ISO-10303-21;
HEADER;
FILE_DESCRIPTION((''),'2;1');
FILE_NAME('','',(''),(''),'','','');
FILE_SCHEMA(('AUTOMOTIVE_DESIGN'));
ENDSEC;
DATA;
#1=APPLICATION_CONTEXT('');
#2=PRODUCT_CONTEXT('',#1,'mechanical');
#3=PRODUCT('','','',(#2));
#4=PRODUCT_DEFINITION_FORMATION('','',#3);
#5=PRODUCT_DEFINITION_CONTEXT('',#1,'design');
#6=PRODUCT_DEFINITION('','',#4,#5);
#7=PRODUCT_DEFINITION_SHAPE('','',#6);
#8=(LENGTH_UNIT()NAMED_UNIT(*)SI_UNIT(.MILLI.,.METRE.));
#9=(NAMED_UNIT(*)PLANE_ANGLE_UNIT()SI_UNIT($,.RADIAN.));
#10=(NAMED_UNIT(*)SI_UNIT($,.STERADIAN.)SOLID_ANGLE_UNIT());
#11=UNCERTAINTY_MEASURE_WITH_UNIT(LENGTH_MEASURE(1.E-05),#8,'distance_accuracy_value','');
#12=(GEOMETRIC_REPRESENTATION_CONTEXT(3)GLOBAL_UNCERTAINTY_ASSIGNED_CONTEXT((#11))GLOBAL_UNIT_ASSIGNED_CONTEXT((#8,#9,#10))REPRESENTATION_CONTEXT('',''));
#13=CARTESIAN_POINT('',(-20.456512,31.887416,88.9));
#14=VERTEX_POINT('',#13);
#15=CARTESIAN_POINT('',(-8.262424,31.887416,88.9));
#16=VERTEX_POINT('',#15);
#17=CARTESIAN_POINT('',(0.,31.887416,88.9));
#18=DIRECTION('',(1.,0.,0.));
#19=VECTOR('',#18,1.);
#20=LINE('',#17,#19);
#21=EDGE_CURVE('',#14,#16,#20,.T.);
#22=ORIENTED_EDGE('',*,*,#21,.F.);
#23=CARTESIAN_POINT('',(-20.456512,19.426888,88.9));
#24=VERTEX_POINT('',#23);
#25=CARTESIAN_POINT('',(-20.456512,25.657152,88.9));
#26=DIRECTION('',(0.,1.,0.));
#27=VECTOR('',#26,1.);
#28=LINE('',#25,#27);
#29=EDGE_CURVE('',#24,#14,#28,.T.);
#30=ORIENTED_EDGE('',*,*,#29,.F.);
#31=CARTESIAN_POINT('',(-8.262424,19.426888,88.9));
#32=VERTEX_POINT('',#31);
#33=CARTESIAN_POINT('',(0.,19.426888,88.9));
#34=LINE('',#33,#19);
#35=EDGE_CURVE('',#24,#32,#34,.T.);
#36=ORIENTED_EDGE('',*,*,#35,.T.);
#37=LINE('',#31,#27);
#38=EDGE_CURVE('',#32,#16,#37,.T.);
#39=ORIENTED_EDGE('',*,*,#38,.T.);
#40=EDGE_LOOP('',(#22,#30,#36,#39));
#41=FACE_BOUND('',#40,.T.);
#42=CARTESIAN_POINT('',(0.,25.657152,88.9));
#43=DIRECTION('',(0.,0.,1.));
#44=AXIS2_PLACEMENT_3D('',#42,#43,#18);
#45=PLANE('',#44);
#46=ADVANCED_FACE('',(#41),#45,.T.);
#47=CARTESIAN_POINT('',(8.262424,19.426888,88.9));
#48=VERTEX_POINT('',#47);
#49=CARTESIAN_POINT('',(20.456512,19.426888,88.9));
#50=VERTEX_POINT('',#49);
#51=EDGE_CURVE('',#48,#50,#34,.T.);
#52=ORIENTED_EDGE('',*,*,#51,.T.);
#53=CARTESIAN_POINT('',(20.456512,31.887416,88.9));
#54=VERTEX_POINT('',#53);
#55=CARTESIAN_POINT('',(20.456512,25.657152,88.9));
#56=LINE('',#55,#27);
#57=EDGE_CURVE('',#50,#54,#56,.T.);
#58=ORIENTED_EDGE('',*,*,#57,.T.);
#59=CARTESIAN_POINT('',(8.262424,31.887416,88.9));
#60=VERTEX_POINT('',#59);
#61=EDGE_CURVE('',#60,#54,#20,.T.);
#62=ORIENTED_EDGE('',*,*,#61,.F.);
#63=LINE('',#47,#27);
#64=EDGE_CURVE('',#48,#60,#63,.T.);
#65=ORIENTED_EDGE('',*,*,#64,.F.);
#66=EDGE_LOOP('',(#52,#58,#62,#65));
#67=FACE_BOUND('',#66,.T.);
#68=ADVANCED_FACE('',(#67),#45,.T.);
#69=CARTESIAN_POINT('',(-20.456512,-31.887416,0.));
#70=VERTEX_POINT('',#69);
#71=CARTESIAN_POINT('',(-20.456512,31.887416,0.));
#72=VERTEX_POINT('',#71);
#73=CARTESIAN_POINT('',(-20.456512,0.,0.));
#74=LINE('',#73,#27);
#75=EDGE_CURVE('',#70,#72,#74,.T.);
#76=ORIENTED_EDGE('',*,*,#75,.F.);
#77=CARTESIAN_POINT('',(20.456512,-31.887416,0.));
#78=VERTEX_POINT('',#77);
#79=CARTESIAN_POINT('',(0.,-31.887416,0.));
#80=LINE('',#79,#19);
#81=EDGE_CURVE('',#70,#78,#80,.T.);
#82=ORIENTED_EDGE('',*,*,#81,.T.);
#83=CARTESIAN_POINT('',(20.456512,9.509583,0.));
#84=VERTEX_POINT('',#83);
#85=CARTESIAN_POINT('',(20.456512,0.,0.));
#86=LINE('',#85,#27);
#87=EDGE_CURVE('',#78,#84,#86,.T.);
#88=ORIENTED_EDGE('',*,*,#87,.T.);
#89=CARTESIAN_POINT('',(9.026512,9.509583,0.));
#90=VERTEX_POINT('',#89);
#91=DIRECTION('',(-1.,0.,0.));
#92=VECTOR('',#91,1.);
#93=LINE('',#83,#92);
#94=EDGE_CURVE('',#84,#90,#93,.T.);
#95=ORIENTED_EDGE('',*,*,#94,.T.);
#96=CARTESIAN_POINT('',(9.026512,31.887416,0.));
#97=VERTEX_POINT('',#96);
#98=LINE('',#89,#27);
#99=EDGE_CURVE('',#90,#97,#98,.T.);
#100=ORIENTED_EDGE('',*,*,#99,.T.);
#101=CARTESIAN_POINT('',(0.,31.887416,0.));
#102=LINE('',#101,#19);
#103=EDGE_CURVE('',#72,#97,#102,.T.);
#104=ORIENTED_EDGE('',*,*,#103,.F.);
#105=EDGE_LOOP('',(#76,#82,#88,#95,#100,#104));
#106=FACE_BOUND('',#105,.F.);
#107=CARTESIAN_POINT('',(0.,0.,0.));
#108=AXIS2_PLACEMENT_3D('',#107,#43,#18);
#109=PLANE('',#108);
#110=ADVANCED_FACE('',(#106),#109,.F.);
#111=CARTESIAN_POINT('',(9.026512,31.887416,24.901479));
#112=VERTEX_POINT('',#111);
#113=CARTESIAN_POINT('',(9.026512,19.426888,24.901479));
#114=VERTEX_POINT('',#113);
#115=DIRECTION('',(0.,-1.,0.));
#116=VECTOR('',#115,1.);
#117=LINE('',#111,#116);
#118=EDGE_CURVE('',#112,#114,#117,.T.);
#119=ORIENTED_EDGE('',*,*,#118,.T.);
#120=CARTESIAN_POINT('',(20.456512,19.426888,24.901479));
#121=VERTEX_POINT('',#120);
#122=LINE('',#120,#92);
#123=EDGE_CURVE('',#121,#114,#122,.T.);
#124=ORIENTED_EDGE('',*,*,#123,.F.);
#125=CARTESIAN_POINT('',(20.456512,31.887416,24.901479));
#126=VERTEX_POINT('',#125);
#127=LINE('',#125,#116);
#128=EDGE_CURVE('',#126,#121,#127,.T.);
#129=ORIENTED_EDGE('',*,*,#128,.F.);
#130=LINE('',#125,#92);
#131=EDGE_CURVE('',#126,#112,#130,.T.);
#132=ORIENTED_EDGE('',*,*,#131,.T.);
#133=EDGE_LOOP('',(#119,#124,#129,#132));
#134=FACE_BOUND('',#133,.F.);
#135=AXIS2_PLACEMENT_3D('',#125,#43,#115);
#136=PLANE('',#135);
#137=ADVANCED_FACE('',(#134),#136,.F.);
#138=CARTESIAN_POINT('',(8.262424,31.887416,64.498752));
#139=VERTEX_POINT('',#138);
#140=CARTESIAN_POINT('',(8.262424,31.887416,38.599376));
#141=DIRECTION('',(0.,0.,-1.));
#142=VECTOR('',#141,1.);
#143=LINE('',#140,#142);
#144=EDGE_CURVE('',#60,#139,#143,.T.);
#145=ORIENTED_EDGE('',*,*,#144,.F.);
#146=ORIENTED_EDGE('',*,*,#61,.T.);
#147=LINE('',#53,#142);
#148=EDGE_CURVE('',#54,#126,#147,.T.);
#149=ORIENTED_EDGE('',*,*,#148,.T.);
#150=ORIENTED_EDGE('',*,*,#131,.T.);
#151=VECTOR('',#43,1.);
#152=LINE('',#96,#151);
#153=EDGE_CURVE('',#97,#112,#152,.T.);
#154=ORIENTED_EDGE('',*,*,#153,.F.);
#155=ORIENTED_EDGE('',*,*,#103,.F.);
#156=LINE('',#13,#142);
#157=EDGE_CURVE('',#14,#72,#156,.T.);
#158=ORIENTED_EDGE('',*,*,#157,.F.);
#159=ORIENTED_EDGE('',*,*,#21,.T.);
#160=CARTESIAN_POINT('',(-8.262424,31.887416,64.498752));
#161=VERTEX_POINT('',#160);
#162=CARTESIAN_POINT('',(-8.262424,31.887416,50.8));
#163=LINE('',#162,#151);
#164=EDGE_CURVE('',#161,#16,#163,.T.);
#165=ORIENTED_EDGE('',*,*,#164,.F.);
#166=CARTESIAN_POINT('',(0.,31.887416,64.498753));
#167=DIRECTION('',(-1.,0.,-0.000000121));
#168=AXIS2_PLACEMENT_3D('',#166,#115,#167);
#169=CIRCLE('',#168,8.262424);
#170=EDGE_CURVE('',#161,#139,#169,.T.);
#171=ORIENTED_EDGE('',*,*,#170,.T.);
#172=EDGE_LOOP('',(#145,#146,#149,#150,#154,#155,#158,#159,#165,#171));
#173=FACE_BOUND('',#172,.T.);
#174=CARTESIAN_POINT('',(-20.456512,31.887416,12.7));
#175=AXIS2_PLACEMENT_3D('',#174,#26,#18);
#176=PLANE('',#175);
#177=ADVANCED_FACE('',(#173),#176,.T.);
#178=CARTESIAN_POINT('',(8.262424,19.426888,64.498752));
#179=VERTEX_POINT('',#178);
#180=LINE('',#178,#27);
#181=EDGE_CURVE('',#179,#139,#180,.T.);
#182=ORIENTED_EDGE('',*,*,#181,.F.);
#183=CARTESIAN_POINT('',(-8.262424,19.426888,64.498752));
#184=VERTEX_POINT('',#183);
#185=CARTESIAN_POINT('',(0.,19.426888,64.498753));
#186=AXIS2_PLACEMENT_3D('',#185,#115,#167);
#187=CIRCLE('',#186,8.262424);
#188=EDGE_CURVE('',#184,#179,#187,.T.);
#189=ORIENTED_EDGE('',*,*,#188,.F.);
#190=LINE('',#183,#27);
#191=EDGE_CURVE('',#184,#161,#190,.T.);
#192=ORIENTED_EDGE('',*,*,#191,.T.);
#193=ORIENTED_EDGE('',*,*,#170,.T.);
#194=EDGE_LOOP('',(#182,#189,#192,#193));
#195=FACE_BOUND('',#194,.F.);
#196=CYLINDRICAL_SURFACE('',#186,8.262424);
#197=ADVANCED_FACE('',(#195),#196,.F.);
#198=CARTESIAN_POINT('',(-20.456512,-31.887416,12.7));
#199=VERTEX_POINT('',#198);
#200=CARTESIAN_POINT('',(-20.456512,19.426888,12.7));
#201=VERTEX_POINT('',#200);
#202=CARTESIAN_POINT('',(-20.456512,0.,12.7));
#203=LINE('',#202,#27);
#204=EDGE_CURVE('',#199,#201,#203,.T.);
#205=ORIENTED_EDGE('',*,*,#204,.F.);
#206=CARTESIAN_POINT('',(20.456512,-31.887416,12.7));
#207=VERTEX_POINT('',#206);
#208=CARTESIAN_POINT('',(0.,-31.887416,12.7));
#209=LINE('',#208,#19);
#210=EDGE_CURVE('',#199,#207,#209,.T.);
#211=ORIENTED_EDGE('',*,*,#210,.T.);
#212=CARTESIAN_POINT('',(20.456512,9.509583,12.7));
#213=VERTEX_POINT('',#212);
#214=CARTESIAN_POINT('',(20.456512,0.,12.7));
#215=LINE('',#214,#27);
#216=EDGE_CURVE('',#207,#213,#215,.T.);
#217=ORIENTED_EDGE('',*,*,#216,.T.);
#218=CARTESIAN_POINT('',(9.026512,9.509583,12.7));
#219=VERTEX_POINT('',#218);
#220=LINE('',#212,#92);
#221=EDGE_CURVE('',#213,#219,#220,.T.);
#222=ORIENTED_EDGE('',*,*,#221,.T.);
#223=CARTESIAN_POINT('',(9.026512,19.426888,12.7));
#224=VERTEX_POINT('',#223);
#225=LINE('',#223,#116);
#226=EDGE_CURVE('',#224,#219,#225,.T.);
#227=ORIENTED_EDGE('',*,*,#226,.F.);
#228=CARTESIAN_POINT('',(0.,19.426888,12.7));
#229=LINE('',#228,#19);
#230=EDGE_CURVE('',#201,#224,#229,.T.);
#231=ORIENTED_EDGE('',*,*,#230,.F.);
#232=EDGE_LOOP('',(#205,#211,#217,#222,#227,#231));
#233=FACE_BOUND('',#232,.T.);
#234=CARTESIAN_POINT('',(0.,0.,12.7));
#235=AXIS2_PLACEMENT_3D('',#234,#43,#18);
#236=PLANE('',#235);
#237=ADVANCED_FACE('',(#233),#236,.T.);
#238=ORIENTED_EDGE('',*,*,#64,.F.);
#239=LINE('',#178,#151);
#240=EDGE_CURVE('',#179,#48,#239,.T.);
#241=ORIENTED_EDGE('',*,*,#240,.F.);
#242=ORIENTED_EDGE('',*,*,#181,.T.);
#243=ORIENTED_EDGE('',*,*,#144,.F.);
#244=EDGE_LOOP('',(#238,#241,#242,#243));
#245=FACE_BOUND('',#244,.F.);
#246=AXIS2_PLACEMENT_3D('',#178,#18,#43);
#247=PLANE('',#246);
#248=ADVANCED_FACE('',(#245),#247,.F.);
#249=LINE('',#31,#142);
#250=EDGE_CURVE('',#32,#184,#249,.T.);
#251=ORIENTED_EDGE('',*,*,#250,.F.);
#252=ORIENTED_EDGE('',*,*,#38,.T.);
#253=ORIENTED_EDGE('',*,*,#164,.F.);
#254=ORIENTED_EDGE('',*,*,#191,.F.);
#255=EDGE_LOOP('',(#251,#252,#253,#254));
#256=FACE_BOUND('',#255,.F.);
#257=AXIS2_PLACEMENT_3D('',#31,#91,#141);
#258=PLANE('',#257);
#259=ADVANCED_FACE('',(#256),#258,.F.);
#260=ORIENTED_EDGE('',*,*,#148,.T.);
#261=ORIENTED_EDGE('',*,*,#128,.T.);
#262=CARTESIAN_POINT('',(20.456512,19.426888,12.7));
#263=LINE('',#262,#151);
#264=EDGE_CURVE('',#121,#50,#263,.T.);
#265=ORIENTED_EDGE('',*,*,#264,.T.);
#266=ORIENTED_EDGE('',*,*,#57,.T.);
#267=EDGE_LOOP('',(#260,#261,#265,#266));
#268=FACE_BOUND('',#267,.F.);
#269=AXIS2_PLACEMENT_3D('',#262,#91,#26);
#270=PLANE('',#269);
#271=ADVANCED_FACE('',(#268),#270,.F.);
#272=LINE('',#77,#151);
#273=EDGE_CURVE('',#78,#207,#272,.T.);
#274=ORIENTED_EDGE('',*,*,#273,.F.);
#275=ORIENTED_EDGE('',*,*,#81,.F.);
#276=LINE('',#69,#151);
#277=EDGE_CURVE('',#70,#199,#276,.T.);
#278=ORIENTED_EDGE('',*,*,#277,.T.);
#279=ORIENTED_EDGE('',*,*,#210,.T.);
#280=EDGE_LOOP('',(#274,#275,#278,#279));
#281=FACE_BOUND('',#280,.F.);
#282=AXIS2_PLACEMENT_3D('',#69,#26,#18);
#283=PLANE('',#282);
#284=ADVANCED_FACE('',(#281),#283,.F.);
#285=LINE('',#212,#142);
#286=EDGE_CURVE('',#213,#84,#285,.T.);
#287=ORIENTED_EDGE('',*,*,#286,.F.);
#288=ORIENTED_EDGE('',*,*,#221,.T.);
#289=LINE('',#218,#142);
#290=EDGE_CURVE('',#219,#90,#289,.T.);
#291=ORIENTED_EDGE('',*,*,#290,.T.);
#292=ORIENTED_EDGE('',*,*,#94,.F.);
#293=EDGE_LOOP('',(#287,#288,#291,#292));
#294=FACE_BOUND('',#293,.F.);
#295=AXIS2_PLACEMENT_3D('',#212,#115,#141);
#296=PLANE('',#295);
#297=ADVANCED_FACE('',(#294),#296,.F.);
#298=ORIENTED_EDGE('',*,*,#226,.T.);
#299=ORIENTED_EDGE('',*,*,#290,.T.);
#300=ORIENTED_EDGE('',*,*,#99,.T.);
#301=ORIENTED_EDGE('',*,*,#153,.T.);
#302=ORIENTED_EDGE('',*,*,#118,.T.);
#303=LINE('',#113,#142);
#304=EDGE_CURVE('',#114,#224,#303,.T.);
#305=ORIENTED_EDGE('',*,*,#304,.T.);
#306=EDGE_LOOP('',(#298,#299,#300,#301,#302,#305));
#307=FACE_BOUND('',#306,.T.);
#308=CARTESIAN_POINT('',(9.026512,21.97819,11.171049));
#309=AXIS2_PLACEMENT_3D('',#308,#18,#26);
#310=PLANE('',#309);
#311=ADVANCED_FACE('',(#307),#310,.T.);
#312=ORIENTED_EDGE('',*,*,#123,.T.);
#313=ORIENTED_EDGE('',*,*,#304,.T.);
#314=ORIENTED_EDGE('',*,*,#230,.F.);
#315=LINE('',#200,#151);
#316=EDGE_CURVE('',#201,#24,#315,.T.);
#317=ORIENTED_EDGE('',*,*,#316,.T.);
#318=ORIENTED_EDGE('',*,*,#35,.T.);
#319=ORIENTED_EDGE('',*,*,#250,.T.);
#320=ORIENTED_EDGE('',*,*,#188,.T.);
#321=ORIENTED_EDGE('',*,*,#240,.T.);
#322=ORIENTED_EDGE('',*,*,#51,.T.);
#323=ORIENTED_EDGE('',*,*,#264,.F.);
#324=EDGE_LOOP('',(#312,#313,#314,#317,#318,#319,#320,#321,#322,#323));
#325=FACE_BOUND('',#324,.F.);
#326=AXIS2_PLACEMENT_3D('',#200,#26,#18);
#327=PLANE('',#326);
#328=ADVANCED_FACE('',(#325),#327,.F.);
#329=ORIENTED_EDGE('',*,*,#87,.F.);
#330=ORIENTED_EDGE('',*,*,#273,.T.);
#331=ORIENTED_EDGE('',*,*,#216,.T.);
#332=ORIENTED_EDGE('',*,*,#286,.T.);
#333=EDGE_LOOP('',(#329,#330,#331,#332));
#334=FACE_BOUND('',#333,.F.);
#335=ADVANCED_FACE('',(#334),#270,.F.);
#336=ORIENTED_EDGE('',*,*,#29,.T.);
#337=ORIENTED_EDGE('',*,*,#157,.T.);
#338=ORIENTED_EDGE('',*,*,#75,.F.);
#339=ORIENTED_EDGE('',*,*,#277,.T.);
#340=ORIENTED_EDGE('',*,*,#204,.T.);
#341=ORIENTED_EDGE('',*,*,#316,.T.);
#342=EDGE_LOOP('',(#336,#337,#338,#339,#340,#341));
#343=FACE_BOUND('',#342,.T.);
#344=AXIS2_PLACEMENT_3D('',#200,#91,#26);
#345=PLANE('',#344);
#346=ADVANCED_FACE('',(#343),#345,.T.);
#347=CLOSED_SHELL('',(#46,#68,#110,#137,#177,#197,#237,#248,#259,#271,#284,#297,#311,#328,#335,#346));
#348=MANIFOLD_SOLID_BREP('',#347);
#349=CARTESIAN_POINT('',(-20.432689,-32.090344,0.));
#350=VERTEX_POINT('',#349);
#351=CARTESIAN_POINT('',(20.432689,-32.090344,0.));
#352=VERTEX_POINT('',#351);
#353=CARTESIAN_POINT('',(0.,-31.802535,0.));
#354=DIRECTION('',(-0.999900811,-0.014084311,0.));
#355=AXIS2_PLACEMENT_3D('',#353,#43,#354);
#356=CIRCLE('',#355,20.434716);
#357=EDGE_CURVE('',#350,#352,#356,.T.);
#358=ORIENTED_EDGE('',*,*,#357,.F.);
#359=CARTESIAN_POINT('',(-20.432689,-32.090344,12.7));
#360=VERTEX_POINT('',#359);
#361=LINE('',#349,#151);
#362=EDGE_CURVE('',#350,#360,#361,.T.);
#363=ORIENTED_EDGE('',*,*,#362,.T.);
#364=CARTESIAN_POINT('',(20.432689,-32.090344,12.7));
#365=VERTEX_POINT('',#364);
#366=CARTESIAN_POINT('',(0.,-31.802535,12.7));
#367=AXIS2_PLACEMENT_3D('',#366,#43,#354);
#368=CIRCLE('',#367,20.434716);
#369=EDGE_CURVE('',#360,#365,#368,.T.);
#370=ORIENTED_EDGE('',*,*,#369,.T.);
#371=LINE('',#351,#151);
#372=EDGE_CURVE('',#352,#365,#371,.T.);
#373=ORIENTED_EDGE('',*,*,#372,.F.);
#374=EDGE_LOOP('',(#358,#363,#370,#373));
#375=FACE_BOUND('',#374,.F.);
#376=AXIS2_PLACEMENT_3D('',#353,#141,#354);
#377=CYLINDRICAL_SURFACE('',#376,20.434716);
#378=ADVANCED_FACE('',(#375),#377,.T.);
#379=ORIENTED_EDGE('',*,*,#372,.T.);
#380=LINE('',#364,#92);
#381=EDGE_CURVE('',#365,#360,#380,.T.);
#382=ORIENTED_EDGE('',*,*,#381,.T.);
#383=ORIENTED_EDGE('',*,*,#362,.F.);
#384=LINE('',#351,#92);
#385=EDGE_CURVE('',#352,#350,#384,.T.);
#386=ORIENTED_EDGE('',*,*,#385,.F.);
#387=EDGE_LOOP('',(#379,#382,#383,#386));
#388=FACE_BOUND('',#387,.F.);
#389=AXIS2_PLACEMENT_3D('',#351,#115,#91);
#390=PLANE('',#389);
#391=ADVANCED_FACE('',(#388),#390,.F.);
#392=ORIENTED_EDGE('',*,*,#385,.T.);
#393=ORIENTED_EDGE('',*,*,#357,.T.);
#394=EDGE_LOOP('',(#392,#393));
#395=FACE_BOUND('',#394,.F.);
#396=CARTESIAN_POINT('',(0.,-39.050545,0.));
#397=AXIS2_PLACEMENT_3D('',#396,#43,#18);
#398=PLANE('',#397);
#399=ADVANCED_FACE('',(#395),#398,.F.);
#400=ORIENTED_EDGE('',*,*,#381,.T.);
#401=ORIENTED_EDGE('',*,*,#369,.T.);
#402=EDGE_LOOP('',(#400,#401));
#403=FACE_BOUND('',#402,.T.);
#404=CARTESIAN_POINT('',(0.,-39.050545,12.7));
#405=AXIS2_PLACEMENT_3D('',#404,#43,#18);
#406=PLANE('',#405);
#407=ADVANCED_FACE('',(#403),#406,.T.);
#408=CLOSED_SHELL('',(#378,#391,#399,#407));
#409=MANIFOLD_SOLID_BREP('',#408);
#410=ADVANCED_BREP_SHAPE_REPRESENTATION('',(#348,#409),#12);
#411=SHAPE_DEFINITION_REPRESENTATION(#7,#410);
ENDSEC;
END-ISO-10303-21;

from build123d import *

# Parameters (mm, degrees)
F0_W     = 40.913024
F0_H     = 63.774832
F2_DEPTH = 12.7
F3_W     = 40.913024
F3_H     = 12.460528
F4_DEPTH = 76.2
F6_DEPTH = 25.4
F7_W     = 8.801125
F7_H     = 17.41853
F8_DEPTH = 11.43


with BuildPart() as f2:
    # F0 (on Top) + F1 (on face) → F2 (new body)
    with BuildSketch(Plane.XY):
        Rectangle(F0_W, F0_H)
    with BuildSketch(Plane.XY):
        with BuildLine():
            Line((20.432689, -32.090344), (-20.432689, -32.090344))
            ThreePointArc((-20.432689, -32.090344), (0, -52.237251), (20.432689, -32.090344))
        make_face()
    extrude(amount=F2_DEPTH)

    # F3 (on face) → F4 (join)
    with BuildSketch(Plane.XY.offset(12.7)):
        with Locations((0, 25.657152)):
            Rectangle(F3_W, F3_H)
    extrude(amount=F4_DEPTH)

    # F5 (on face) → F6 (cut)
    with BuildSketch(Plane.XZ.offset(-19.426888)):
        with BuildLine():
            Line((8.262424, 88.9), (-8.262424, 88.9))
            Line((-8.262424, 88.9), (-8.262424, 64.498752))
            ThreePointArc((-8.262424, 64.498752), (0, 56.236329), (8.262424, 64.498752))
            Line((8.262424, 64.498752), (8.262424, 88.9))
        make_face()
    extrude(amount=-F6_DEPTH, mode=Mode.SUBTRACT)

    # F7 (on face) → F8 (cut)
    with BuildSketch(Plane.YZ.offset(20.456512)):
        Polygon((19.426888, 24.901479), (19.426888, 17.41853), (19.426888, 12.7), (9.509583, 12.7), (9.509583, 0), (31.887416, 0), (31.887416, 17.41853), (31.887416, 24.901479), align=None)
        with Locations((36.287979, 8.709265)):
            Rectangle(F7_W, F7_H)
    extrude(amount=-F8_DEPTH, mode=Mode.SUBTRACT)


solid = f2.part
